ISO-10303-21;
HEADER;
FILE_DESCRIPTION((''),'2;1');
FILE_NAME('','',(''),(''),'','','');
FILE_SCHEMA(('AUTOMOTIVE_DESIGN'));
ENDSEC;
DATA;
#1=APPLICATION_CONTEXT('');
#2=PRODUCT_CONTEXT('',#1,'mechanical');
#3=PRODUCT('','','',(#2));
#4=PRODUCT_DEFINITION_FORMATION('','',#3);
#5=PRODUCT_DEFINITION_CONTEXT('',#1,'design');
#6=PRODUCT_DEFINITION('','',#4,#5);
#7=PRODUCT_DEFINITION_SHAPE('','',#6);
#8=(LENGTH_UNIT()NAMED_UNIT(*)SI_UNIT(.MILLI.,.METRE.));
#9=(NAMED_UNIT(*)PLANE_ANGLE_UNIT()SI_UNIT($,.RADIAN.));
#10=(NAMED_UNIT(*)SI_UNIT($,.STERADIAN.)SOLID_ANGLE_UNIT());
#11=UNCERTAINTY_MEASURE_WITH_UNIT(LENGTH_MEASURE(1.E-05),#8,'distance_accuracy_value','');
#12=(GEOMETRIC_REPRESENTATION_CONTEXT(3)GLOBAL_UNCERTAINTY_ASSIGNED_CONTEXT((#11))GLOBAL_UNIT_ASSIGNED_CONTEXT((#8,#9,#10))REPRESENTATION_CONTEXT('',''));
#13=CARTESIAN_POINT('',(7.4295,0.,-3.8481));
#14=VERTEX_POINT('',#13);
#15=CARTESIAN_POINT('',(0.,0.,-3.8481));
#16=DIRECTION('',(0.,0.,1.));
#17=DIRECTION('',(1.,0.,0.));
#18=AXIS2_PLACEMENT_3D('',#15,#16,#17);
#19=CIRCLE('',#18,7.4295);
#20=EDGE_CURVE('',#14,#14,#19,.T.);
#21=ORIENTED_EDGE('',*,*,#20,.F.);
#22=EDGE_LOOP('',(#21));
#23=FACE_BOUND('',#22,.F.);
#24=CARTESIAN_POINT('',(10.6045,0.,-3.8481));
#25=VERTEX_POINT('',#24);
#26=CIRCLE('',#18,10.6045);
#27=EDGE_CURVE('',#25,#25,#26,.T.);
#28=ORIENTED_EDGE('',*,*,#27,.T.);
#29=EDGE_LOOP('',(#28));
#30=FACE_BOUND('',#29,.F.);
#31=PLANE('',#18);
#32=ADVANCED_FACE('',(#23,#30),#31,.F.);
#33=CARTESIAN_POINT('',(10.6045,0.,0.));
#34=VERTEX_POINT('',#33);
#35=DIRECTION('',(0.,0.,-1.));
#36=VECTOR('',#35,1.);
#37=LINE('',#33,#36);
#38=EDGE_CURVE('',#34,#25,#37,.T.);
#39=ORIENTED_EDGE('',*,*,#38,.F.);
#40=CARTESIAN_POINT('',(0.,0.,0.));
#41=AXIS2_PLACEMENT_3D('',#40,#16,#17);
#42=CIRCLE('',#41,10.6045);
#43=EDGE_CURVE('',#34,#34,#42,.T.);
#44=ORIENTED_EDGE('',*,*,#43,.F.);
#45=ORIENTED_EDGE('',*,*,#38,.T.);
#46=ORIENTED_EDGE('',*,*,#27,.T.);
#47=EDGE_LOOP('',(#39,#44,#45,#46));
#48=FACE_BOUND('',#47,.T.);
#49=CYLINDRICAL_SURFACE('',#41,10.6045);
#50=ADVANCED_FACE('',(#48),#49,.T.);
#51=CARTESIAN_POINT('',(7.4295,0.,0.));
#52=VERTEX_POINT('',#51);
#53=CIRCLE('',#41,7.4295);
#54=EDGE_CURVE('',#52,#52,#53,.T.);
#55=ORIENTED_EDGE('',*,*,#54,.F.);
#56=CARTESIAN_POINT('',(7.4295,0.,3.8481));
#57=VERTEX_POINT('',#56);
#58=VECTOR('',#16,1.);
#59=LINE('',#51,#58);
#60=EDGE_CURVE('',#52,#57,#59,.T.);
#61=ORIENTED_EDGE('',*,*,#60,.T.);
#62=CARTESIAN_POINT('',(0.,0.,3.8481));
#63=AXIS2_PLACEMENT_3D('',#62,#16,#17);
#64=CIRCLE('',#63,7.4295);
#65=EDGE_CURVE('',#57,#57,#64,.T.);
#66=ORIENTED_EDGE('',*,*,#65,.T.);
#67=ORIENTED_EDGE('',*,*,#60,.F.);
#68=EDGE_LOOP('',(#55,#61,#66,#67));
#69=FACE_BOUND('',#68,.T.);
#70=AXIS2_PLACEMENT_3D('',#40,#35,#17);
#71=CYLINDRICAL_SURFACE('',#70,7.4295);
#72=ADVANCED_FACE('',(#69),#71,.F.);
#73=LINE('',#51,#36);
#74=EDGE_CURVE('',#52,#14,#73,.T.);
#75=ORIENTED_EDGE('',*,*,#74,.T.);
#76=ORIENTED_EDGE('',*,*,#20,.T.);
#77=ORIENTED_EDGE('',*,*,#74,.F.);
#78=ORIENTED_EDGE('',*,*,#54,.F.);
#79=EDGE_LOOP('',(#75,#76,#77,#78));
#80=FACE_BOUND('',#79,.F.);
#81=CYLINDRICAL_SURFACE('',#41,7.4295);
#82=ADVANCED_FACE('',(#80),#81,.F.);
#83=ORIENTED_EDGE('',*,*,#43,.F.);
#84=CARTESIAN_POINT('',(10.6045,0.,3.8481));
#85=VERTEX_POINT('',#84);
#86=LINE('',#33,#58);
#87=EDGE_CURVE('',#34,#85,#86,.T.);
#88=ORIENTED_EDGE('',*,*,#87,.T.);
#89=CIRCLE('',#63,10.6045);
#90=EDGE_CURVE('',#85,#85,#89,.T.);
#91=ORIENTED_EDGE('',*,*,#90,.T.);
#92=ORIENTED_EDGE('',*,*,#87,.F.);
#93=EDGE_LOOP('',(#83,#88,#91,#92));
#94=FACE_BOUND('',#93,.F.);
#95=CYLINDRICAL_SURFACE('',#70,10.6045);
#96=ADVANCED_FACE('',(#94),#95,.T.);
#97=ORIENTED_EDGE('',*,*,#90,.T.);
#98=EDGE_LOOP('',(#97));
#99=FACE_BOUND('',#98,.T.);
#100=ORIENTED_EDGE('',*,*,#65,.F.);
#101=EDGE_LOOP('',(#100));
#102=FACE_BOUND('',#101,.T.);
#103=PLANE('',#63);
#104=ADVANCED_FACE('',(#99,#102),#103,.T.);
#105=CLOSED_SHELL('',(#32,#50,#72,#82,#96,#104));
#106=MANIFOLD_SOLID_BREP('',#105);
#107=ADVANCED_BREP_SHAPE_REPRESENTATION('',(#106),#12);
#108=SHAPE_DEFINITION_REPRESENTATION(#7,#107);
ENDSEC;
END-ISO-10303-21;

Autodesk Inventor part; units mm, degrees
ref_plane "YZ Plane" through (0, 0, 0) normal (1, 0, 0) x (0, 1, 0)
ref_plane "XZ Plane" through (0, 0, 0) normal (0, 1, 0) x (-1, 0, 0)
ref_plane "XY Plane" through (0, 0, 0) normal (0, 0, 1) x (1, 0, 0)
sketch "Sketch1" plane through (0, 0, 0) normal (0, 0, 1) x (1, 0, 0)
  circle A0 centre (0, 0) radius 7.4295
  circle A1 centre (0, 0) radius 10.6045
  dimension "d0" = 14.859
  dimension "d1" = 3.175
extrude "Extrusion1" add sketch "Sketch1" along normal mid plane 7.6962
properties part number "GP5-019" material "ABS Plastic"
